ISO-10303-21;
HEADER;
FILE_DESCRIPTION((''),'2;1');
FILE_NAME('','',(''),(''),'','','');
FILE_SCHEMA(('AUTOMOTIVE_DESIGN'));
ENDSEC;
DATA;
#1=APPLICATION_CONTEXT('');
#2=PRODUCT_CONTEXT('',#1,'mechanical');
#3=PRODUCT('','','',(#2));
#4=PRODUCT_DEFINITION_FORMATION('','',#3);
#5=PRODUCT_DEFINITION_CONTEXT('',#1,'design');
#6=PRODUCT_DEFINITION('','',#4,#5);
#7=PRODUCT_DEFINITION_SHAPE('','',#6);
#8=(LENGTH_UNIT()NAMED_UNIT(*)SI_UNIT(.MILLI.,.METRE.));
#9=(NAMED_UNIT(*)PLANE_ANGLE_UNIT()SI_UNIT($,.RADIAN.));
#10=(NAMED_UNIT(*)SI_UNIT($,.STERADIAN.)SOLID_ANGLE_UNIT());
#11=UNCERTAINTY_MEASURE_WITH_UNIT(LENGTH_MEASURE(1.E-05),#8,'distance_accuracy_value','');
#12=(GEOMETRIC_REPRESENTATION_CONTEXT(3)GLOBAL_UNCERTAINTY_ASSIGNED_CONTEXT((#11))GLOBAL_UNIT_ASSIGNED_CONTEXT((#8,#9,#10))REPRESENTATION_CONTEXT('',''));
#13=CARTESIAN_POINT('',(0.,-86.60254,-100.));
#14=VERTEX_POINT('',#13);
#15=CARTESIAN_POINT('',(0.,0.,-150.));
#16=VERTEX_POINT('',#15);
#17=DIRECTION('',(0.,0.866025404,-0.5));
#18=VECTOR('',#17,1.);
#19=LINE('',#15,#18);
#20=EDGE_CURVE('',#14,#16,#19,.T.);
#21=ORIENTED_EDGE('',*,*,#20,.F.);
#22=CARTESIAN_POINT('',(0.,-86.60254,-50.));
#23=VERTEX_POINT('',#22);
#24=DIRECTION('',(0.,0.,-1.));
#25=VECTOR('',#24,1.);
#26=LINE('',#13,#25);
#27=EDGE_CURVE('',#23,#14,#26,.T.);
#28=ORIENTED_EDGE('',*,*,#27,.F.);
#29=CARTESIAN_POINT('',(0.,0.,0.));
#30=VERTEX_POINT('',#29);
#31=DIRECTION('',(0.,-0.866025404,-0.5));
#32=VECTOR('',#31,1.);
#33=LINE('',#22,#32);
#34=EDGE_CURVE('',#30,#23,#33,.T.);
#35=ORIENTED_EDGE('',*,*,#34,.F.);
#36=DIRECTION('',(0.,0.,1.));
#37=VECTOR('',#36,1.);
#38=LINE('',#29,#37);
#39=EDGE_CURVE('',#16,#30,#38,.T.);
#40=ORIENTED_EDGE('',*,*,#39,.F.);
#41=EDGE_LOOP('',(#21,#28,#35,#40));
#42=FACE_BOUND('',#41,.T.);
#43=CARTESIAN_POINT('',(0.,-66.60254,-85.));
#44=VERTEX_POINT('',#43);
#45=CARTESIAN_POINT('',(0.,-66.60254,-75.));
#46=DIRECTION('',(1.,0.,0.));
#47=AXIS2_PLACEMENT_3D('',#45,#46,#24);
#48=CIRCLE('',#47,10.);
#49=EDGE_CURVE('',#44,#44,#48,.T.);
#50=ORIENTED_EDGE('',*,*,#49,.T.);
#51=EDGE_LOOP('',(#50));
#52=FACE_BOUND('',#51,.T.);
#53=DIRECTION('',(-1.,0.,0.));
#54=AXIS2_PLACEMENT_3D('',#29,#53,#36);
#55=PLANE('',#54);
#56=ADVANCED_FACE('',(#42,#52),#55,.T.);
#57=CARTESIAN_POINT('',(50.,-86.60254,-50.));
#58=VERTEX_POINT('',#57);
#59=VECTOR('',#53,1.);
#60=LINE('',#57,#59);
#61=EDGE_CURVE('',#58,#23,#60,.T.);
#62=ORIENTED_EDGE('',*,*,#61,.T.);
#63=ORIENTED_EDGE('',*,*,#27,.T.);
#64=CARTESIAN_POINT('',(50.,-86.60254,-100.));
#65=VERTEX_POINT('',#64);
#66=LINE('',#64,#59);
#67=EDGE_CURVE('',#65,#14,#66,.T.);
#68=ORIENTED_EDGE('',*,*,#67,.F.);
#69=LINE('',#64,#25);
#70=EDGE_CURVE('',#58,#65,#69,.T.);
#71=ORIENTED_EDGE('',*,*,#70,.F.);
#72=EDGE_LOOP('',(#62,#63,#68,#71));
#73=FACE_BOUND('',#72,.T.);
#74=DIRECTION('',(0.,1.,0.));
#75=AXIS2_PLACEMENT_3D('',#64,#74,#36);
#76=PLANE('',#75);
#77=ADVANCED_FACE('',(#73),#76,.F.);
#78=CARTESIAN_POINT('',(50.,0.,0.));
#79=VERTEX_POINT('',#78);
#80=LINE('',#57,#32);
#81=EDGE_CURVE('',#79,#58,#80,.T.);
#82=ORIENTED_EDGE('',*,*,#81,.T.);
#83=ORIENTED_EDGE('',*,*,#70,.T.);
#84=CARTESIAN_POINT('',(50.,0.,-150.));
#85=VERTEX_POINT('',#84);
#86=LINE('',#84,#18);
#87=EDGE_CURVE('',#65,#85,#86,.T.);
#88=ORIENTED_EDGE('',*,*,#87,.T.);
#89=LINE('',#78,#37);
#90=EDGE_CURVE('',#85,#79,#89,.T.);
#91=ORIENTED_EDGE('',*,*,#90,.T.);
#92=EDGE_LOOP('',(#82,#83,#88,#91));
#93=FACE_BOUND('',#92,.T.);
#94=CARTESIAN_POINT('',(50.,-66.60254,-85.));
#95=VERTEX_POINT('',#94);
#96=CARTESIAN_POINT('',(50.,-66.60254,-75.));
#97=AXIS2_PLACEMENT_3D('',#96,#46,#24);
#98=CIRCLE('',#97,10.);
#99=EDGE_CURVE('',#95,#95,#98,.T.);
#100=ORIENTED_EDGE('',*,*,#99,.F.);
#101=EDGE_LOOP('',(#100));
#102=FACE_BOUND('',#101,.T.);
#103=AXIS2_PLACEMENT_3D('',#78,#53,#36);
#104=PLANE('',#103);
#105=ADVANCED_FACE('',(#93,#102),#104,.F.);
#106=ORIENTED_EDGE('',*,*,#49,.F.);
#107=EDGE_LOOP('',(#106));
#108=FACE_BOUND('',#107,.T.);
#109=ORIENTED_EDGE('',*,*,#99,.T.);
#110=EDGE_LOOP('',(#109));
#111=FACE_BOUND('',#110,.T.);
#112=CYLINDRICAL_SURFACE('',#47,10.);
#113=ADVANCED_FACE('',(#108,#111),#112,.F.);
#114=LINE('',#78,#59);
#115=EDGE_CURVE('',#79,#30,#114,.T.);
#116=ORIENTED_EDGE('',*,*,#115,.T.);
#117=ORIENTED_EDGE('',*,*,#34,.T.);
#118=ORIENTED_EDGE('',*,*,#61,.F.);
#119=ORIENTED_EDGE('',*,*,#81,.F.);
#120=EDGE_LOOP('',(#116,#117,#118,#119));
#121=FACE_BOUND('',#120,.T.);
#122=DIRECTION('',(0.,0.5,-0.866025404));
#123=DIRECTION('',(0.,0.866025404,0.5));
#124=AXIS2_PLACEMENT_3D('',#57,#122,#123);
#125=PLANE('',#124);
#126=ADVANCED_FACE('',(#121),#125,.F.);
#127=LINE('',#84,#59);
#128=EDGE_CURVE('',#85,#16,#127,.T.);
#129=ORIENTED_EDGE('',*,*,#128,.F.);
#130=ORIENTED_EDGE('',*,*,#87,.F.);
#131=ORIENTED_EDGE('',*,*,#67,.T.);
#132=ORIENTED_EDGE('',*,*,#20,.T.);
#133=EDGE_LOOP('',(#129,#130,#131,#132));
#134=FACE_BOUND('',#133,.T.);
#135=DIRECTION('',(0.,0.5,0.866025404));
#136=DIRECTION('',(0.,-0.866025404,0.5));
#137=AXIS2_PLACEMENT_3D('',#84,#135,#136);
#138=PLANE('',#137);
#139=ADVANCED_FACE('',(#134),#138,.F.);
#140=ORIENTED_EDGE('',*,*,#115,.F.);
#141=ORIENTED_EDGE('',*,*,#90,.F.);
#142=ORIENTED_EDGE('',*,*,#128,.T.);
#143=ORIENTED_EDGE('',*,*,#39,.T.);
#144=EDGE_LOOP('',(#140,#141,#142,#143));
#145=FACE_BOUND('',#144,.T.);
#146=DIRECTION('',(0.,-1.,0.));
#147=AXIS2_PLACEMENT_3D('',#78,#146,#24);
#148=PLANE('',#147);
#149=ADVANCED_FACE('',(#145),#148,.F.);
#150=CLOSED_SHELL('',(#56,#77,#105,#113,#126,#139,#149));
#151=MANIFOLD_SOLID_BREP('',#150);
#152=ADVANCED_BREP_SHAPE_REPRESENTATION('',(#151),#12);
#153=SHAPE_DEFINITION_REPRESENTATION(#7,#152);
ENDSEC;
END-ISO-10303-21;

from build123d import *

# Parameters (mm, degrees)
BOSS_EXTRUDE1_DEPTH = 50
SKETCH2_R           = 10
CUT_EXTRUDE1_DEPTH  = 181.277563773


with BuildPart() as part:
    # Sketch1 → Boss-Extrude1 (new body)
    with BuildSketch(Plane(origin=(0, 0, 0), x_dir=(0, 0, -1), z_dir=(1, 0, 0))):
        Polygon((0, 0), (150, 0), (100, -86.602540378), (50, -86.602540378), align=None)
    extrude(amount=BOSS_EXTRUDE1_DEPTH)

    # Sketch2 → Cut-Extrude1 (cut, through all)
    with BuildSketch(Plane(origin=(50, 0, 0), x_dir=(0, 0, -1), z_dir=(1, 0, 0))):
        with Locations((75, -66.602540378)):
            Circle(SKETCH2_R)
    extrude(amount=-CUT_EXTRUDE1_DEPTH, mode=Mode.SUBTRACT)


solid = part.part
